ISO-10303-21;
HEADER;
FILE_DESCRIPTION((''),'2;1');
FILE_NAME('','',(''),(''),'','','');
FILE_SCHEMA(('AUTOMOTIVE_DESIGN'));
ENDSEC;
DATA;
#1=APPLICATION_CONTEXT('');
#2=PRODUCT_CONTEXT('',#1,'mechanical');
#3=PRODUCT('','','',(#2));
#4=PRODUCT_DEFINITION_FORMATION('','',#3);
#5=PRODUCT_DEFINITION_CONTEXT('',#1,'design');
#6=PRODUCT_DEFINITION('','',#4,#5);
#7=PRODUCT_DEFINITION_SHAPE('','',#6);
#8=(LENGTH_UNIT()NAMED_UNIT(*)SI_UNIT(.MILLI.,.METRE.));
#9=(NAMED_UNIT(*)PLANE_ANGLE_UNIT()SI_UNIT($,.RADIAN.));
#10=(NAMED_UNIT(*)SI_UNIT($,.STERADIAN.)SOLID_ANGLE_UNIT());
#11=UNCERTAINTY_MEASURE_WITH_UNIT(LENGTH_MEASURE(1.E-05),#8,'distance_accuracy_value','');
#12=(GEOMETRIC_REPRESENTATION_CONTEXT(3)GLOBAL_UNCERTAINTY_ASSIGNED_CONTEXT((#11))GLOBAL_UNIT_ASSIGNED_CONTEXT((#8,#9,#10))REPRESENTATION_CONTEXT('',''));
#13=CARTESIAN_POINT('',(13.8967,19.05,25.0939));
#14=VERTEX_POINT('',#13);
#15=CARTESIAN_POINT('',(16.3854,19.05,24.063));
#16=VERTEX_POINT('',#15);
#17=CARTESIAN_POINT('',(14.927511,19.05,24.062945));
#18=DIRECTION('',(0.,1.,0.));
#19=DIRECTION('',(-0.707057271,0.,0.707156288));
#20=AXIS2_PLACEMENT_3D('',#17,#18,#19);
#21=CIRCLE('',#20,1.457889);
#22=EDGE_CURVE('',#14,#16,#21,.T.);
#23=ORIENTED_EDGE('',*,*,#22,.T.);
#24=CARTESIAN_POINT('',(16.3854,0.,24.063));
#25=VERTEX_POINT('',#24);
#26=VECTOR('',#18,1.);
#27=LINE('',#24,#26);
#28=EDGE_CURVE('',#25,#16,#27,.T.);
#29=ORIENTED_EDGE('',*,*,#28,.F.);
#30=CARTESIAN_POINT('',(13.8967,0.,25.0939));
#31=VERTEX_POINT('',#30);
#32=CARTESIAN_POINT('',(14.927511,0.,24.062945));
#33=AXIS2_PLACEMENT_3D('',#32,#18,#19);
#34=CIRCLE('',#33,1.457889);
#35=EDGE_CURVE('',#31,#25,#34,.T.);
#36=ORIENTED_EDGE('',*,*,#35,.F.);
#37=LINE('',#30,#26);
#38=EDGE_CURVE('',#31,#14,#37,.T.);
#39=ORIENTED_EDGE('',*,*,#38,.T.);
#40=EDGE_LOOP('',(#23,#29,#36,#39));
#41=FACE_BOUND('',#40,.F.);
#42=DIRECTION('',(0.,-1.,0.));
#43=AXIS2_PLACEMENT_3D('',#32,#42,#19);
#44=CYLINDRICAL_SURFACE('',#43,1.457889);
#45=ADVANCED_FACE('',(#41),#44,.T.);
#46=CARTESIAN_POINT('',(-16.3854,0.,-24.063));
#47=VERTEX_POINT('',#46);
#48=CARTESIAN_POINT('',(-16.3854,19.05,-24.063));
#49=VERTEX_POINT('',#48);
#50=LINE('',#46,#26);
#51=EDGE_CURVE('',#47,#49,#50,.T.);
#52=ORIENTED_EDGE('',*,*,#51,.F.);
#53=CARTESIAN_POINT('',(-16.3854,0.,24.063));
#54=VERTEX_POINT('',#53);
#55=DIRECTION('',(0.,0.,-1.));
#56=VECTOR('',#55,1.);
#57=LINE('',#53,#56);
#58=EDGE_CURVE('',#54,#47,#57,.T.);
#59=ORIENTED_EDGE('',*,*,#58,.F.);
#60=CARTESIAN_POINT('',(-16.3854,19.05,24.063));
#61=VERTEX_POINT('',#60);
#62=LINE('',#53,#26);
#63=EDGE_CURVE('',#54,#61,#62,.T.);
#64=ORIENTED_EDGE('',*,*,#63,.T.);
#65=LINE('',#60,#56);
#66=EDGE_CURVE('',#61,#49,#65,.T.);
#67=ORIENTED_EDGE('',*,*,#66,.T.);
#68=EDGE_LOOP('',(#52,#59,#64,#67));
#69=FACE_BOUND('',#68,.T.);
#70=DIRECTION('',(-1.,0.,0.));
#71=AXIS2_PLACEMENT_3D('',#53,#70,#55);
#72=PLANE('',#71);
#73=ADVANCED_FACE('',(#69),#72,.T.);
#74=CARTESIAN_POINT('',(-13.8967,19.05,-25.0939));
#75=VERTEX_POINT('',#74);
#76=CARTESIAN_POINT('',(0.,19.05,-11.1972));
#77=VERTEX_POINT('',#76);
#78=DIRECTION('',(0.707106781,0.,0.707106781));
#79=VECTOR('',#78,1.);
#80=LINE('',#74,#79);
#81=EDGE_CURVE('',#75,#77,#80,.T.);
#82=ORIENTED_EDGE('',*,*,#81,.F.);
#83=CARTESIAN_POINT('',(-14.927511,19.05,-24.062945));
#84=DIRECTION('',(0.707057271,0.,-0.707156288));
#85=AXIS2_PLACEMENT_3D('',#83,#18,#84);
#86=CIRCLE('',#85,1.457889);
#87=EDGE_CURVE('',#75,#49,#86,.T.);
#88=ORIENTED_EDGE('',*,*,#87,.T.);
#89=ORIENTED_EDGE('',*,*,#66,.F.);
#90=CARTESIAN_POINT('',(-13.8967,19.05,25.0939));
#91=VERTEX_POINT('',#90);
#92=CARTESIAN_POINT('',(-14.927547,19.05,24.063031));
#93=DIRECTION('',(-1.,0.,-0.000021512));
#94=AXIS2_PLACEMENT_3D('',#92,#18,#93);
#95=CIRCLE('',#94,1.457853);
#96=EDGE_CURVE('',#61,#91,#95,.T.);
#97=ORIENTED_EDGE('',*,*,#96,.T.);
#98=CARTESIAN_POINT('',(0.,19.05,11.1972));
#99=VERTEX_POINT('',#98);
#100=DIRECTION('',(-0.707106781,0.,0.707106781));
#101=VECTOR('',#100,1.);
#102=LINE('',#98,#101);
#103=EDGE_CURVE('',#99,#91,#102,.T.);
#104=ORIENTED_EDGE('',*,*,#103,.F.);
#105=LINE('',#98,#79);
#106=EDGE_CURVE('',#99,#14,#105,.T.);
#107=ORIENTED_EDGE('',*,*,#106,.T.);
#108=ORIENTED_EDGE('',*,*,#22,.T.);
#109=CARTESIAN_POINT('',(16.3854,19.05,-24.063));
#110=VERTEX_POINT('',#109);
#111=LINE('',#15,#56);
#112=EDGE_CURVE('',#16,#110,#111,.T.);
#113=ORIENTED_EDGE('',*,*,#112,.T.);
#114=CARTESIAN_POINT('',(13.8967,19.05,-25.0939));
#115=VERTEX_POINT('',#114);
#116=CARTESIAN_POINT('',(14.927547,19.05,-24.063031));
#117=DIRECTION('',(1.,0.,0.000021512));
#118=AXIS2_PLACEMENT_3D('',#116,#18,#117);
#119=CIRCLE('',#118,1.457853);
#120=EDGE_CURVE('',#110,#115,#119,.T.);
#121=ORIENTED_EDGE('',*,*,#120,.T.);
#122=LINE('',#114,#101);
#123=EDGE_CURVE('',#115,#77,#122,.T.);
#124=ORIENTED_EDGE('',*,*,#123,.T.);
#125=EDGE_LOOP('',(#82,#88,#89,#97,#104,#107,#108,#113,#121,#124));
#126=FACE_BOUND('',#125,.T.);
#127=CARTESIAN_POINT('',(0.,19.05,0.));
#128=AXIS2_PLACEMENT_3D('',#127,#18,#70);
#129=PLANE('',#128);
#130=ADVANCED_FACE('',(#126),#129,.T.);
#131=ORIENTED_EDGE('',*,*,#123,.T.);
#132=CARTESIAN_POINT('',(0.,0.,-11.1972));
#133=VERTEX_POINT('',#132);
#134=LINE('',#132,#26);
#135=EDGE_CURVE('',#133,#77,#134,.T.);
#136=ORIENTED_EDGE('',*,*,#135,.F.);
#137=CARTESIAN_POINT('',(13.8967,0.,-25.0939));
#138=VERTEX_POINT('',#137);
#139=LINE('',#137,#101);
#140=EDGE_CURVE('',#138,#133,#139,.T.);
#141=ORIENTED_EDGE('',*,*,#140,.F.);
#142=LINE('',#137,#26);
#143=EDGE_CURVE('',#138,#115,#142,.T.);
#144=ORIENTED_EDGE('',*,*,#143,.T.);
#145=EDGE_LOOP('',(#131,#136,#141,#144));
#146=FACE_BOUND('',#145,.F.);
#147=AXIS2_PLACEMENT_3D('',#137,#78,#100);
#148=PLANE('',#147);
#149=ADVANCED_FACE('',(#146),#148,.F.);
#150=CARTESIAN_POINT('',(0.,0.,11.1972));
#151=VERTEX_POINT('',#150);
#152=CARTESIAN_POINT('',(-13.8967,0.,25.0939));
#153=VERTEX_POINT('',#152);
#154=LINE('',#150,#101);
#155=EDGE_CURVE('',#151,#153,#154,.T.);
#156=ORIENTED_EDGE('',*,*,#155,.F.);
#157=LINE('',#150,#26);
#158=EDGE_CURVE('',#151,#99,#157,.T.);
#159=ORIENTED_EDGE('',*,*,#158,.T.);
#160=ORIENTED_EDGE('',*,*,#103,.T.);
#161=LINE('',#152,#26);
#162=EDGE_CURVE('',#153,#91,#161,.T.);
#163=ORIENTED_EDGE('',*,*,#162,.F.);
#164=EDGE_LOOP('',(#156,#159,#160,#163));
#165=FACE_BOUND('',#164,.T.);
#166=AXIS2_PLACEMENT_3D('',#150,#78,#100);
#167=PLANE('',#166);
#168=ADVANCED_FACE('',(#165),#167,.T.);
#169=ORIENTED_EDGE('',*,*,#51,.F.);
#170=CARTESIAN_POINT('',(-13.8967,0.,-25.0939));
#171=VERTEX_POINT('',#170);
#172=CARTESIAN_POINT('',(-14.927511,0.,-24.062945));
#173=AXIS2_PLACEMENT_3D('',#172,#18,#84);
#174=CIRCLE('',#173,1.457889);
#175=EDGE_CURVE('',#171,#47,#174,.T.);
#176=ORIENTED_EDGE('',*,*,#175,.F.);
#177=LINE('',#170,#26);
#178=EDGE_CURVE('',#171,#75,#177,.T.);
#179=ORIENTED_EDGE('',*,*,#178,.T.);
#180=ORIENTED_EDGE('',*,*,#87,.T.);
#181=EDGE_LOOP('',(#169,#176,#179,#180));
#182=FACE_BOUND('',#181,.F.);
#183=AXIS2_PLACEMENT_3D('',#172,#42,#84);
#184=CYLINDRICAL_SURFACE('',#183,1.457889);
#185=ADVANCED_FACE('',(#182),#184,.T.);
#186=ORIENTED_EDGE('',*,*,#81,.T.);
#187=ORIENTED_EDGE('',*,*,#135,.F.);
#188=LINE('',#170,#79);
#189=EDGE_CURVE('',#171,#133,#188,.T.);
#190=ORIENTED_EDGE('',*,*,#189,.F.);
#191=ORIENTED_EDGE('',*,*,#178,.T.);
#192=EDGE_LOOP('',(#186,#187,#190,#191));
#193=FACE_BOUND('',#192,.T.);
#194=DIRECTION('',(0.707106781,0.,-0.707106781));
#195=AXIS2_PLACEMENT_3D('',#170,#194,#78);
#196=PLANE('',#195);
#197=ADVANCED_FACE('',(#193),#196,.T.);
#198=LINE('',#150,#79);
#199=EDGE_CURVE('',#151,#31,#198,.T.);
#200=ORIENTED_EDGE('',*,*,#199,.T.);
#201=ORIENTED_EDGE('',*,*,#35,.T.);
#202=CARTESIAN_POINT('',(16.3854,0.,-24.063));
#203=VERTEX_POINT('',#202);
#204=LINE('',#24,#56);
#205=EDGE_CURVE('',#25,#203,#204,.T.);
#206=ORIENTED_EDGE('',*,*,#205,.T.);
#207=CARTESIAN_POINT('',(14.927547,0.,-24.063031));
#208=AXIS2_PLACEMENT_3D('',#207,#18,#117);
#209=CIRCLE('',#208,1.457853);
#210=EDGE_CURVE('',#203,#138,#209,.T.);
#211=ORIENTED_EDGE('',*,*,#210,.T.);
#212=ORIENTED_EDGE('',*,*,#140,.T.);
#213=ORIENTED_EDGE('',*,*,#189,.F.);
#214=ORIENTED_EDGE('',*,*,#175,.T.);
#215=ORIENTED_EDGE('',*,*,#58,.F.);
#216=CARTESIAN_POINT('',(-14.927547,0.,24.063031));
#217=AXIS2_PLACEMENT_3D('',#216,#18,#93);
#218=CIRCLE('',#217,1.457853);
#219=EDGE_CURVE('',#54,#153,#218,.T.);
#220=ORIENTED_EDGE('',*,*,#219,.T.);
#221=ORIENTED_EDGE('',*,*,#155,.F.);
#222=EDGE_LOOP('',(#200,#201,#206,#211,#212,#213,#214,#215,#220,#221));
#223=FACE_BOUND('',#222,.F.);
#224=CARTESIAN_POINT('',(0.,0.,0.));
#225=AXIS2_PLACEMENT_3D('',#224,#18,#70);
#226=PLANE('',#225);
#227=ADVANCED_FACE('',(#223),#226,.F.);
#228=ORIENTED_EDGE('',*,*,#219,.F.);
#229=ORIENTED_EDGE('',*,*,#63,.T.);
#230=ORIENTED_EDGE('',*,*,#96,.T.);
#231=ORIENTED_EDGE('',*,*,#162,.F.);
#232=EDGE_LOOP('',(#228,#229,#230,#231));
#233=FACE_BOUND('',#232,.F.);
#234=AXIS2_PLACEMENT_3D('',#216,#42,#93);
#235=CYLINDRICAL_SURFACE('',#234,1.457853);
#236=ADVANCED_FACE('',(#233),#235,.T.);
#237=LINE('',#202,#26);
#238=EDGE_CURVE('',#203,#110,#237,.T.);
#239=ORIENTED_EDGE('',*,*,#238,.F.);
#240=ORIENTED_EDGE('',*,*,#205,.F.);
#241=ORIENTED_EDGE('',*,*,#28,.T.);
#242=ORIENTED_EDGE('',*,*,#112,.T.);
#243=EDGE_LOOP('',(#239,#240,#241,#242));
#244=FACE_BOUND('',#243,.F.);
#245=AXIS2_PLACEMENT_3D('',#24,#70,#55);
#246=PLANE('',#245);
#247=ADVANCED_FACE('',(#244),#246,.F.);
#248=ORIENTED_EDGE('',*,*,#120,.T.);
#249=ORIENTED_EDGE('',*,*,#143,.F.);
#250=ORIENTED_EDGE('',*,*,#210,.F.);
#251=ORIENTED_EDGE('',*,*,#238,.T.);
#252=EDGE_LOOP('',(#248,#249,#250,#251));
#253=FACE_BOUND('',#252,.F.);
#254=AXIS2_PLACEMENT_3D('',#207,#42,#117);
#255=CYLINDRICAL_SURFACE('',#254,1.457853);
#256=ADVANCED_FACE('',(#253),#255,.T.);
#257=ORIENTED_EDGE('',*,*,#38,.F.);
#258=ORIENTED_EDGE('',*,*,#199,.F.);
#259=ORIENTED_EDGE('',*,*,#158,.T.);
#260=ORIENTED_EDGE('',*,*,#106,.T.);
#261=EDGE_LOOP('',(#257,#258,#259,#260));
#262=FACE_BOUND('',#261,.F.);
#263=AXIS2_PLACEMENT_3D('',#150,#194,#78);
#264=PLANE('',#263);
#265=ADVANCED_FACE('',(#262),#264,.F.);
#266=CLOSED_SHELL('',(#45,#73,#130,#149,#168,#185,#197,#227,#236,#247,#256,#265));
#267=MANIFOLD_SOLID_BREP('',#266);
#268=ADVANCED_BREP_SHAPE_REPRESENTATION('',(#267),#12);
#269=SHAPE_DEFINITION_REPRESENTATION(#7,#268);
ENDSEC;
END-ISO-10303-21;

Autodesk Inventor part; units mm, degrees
ref_plane "YZ Plane" through (0, 0, 0) normal (1, 0, 0) x (0, 1, 0)
ref_plane "XZ Plane" through (0, 0, 0) normal (0, 1, 0) x (-1, 0, 0)
ref_plane "XY Plane" through (0, 0, 0) normal (0, 0, 1) x (1, 0, 0)
sketch "Sketch1" plane through (0, 0, 0) normal (0, 1, 0) x (-1, 0, 0)
  line L0 (16.5354, 24.0815) -> (16.5354, -24.0815)
  arc A0 (16.5354, 24.0815) -> (13.8037, 25.213) centre (14.9352, 24.0815) ccw
  line L1 (0, 11.4094) -> (13.8037, 25.213)
  line L2 (0, -11.4094) -> (0, 11.4094)
  line L3 (13.8037, -25.213) -> (0, -11.4094)
  arc A1 (13.8037, -25.213) -> (16.5354, -24.0815) centre (14.9352, -24.0815) ccw
  line L4 (-16.5354, 24.0815) -> (-16.5354, -24.0815)
  arc A2 (-13.8037, 25.213) -> (-16.5354, 24.0815) centre (-14.9352, 24.0815) ccw
  line L5 (0, 11.4094) -> (-13.8037, 25.213)
  line L6 (-13.8037, -25.213) -> (0, -11.4094)
  arc A3 (-16.5354, -24.0815) -> (-13.8037, -25.213) centre (-14.9352, -24.0815) ccw
  line L7 (16.3854, 24.063) -> (16.3854, -24.063)
  arc A4 (16.3854, 24.063) -> (13.8967, 25.0939) centre (14.9275, 24.063) ccw
  line L8 (0, 11.1972) -> (13.8967, 25.0939)
  line L9 (0, -11.1972) -> (0, 11.1972)
  line L10 (13.8967, -25.0939) -> (0, -11.1972)
  arc A5 (13.8967, -25.0939) -> (16.3854, -24.063) centre (14.9275, -24.063) ccw
  line L11 (-16.3854, 24.063) -> (-16.3854, -24.063)
  arc A6 (-13.8967, 25.0939) -> (-16.3854, 24.063) centre (-14.9275, 24.063) ccw
  line L12 (0, 11.1972) -> (-13.8967, 25.0939)
  line L13 (-13.8967, -25.0939) -> (0, -11.1972)
  arc A7 (-16.3854, -24.063) -> (-13.8967, -25.0939) centre (-14.9275, -24.063) ccw
  point P0 (0, 0)
  point P1 (0, 0)
  point P2 (0, 0)
  point P3 (15.5476, -25.5599)
  point P4 (15.4854, -25.4099)
  dimension "d3" = 1.6002
  dimension "d4" = 33.0708
  dimension "d5" = 16.1353
  dimension "d6" = 0.15
  dimension "d7" = 0.15
  dimension "d8" = 0.15
extrude "Extrusion1" add sketch "Sketch1" along normal blind 19.05 contours L8 A4 L7 A5 L10 L2 | L2 L13 A7 L11 A6 L12
properties part number "IPT_Dovetail_Connecter" material "Acetal Resin, Black"
